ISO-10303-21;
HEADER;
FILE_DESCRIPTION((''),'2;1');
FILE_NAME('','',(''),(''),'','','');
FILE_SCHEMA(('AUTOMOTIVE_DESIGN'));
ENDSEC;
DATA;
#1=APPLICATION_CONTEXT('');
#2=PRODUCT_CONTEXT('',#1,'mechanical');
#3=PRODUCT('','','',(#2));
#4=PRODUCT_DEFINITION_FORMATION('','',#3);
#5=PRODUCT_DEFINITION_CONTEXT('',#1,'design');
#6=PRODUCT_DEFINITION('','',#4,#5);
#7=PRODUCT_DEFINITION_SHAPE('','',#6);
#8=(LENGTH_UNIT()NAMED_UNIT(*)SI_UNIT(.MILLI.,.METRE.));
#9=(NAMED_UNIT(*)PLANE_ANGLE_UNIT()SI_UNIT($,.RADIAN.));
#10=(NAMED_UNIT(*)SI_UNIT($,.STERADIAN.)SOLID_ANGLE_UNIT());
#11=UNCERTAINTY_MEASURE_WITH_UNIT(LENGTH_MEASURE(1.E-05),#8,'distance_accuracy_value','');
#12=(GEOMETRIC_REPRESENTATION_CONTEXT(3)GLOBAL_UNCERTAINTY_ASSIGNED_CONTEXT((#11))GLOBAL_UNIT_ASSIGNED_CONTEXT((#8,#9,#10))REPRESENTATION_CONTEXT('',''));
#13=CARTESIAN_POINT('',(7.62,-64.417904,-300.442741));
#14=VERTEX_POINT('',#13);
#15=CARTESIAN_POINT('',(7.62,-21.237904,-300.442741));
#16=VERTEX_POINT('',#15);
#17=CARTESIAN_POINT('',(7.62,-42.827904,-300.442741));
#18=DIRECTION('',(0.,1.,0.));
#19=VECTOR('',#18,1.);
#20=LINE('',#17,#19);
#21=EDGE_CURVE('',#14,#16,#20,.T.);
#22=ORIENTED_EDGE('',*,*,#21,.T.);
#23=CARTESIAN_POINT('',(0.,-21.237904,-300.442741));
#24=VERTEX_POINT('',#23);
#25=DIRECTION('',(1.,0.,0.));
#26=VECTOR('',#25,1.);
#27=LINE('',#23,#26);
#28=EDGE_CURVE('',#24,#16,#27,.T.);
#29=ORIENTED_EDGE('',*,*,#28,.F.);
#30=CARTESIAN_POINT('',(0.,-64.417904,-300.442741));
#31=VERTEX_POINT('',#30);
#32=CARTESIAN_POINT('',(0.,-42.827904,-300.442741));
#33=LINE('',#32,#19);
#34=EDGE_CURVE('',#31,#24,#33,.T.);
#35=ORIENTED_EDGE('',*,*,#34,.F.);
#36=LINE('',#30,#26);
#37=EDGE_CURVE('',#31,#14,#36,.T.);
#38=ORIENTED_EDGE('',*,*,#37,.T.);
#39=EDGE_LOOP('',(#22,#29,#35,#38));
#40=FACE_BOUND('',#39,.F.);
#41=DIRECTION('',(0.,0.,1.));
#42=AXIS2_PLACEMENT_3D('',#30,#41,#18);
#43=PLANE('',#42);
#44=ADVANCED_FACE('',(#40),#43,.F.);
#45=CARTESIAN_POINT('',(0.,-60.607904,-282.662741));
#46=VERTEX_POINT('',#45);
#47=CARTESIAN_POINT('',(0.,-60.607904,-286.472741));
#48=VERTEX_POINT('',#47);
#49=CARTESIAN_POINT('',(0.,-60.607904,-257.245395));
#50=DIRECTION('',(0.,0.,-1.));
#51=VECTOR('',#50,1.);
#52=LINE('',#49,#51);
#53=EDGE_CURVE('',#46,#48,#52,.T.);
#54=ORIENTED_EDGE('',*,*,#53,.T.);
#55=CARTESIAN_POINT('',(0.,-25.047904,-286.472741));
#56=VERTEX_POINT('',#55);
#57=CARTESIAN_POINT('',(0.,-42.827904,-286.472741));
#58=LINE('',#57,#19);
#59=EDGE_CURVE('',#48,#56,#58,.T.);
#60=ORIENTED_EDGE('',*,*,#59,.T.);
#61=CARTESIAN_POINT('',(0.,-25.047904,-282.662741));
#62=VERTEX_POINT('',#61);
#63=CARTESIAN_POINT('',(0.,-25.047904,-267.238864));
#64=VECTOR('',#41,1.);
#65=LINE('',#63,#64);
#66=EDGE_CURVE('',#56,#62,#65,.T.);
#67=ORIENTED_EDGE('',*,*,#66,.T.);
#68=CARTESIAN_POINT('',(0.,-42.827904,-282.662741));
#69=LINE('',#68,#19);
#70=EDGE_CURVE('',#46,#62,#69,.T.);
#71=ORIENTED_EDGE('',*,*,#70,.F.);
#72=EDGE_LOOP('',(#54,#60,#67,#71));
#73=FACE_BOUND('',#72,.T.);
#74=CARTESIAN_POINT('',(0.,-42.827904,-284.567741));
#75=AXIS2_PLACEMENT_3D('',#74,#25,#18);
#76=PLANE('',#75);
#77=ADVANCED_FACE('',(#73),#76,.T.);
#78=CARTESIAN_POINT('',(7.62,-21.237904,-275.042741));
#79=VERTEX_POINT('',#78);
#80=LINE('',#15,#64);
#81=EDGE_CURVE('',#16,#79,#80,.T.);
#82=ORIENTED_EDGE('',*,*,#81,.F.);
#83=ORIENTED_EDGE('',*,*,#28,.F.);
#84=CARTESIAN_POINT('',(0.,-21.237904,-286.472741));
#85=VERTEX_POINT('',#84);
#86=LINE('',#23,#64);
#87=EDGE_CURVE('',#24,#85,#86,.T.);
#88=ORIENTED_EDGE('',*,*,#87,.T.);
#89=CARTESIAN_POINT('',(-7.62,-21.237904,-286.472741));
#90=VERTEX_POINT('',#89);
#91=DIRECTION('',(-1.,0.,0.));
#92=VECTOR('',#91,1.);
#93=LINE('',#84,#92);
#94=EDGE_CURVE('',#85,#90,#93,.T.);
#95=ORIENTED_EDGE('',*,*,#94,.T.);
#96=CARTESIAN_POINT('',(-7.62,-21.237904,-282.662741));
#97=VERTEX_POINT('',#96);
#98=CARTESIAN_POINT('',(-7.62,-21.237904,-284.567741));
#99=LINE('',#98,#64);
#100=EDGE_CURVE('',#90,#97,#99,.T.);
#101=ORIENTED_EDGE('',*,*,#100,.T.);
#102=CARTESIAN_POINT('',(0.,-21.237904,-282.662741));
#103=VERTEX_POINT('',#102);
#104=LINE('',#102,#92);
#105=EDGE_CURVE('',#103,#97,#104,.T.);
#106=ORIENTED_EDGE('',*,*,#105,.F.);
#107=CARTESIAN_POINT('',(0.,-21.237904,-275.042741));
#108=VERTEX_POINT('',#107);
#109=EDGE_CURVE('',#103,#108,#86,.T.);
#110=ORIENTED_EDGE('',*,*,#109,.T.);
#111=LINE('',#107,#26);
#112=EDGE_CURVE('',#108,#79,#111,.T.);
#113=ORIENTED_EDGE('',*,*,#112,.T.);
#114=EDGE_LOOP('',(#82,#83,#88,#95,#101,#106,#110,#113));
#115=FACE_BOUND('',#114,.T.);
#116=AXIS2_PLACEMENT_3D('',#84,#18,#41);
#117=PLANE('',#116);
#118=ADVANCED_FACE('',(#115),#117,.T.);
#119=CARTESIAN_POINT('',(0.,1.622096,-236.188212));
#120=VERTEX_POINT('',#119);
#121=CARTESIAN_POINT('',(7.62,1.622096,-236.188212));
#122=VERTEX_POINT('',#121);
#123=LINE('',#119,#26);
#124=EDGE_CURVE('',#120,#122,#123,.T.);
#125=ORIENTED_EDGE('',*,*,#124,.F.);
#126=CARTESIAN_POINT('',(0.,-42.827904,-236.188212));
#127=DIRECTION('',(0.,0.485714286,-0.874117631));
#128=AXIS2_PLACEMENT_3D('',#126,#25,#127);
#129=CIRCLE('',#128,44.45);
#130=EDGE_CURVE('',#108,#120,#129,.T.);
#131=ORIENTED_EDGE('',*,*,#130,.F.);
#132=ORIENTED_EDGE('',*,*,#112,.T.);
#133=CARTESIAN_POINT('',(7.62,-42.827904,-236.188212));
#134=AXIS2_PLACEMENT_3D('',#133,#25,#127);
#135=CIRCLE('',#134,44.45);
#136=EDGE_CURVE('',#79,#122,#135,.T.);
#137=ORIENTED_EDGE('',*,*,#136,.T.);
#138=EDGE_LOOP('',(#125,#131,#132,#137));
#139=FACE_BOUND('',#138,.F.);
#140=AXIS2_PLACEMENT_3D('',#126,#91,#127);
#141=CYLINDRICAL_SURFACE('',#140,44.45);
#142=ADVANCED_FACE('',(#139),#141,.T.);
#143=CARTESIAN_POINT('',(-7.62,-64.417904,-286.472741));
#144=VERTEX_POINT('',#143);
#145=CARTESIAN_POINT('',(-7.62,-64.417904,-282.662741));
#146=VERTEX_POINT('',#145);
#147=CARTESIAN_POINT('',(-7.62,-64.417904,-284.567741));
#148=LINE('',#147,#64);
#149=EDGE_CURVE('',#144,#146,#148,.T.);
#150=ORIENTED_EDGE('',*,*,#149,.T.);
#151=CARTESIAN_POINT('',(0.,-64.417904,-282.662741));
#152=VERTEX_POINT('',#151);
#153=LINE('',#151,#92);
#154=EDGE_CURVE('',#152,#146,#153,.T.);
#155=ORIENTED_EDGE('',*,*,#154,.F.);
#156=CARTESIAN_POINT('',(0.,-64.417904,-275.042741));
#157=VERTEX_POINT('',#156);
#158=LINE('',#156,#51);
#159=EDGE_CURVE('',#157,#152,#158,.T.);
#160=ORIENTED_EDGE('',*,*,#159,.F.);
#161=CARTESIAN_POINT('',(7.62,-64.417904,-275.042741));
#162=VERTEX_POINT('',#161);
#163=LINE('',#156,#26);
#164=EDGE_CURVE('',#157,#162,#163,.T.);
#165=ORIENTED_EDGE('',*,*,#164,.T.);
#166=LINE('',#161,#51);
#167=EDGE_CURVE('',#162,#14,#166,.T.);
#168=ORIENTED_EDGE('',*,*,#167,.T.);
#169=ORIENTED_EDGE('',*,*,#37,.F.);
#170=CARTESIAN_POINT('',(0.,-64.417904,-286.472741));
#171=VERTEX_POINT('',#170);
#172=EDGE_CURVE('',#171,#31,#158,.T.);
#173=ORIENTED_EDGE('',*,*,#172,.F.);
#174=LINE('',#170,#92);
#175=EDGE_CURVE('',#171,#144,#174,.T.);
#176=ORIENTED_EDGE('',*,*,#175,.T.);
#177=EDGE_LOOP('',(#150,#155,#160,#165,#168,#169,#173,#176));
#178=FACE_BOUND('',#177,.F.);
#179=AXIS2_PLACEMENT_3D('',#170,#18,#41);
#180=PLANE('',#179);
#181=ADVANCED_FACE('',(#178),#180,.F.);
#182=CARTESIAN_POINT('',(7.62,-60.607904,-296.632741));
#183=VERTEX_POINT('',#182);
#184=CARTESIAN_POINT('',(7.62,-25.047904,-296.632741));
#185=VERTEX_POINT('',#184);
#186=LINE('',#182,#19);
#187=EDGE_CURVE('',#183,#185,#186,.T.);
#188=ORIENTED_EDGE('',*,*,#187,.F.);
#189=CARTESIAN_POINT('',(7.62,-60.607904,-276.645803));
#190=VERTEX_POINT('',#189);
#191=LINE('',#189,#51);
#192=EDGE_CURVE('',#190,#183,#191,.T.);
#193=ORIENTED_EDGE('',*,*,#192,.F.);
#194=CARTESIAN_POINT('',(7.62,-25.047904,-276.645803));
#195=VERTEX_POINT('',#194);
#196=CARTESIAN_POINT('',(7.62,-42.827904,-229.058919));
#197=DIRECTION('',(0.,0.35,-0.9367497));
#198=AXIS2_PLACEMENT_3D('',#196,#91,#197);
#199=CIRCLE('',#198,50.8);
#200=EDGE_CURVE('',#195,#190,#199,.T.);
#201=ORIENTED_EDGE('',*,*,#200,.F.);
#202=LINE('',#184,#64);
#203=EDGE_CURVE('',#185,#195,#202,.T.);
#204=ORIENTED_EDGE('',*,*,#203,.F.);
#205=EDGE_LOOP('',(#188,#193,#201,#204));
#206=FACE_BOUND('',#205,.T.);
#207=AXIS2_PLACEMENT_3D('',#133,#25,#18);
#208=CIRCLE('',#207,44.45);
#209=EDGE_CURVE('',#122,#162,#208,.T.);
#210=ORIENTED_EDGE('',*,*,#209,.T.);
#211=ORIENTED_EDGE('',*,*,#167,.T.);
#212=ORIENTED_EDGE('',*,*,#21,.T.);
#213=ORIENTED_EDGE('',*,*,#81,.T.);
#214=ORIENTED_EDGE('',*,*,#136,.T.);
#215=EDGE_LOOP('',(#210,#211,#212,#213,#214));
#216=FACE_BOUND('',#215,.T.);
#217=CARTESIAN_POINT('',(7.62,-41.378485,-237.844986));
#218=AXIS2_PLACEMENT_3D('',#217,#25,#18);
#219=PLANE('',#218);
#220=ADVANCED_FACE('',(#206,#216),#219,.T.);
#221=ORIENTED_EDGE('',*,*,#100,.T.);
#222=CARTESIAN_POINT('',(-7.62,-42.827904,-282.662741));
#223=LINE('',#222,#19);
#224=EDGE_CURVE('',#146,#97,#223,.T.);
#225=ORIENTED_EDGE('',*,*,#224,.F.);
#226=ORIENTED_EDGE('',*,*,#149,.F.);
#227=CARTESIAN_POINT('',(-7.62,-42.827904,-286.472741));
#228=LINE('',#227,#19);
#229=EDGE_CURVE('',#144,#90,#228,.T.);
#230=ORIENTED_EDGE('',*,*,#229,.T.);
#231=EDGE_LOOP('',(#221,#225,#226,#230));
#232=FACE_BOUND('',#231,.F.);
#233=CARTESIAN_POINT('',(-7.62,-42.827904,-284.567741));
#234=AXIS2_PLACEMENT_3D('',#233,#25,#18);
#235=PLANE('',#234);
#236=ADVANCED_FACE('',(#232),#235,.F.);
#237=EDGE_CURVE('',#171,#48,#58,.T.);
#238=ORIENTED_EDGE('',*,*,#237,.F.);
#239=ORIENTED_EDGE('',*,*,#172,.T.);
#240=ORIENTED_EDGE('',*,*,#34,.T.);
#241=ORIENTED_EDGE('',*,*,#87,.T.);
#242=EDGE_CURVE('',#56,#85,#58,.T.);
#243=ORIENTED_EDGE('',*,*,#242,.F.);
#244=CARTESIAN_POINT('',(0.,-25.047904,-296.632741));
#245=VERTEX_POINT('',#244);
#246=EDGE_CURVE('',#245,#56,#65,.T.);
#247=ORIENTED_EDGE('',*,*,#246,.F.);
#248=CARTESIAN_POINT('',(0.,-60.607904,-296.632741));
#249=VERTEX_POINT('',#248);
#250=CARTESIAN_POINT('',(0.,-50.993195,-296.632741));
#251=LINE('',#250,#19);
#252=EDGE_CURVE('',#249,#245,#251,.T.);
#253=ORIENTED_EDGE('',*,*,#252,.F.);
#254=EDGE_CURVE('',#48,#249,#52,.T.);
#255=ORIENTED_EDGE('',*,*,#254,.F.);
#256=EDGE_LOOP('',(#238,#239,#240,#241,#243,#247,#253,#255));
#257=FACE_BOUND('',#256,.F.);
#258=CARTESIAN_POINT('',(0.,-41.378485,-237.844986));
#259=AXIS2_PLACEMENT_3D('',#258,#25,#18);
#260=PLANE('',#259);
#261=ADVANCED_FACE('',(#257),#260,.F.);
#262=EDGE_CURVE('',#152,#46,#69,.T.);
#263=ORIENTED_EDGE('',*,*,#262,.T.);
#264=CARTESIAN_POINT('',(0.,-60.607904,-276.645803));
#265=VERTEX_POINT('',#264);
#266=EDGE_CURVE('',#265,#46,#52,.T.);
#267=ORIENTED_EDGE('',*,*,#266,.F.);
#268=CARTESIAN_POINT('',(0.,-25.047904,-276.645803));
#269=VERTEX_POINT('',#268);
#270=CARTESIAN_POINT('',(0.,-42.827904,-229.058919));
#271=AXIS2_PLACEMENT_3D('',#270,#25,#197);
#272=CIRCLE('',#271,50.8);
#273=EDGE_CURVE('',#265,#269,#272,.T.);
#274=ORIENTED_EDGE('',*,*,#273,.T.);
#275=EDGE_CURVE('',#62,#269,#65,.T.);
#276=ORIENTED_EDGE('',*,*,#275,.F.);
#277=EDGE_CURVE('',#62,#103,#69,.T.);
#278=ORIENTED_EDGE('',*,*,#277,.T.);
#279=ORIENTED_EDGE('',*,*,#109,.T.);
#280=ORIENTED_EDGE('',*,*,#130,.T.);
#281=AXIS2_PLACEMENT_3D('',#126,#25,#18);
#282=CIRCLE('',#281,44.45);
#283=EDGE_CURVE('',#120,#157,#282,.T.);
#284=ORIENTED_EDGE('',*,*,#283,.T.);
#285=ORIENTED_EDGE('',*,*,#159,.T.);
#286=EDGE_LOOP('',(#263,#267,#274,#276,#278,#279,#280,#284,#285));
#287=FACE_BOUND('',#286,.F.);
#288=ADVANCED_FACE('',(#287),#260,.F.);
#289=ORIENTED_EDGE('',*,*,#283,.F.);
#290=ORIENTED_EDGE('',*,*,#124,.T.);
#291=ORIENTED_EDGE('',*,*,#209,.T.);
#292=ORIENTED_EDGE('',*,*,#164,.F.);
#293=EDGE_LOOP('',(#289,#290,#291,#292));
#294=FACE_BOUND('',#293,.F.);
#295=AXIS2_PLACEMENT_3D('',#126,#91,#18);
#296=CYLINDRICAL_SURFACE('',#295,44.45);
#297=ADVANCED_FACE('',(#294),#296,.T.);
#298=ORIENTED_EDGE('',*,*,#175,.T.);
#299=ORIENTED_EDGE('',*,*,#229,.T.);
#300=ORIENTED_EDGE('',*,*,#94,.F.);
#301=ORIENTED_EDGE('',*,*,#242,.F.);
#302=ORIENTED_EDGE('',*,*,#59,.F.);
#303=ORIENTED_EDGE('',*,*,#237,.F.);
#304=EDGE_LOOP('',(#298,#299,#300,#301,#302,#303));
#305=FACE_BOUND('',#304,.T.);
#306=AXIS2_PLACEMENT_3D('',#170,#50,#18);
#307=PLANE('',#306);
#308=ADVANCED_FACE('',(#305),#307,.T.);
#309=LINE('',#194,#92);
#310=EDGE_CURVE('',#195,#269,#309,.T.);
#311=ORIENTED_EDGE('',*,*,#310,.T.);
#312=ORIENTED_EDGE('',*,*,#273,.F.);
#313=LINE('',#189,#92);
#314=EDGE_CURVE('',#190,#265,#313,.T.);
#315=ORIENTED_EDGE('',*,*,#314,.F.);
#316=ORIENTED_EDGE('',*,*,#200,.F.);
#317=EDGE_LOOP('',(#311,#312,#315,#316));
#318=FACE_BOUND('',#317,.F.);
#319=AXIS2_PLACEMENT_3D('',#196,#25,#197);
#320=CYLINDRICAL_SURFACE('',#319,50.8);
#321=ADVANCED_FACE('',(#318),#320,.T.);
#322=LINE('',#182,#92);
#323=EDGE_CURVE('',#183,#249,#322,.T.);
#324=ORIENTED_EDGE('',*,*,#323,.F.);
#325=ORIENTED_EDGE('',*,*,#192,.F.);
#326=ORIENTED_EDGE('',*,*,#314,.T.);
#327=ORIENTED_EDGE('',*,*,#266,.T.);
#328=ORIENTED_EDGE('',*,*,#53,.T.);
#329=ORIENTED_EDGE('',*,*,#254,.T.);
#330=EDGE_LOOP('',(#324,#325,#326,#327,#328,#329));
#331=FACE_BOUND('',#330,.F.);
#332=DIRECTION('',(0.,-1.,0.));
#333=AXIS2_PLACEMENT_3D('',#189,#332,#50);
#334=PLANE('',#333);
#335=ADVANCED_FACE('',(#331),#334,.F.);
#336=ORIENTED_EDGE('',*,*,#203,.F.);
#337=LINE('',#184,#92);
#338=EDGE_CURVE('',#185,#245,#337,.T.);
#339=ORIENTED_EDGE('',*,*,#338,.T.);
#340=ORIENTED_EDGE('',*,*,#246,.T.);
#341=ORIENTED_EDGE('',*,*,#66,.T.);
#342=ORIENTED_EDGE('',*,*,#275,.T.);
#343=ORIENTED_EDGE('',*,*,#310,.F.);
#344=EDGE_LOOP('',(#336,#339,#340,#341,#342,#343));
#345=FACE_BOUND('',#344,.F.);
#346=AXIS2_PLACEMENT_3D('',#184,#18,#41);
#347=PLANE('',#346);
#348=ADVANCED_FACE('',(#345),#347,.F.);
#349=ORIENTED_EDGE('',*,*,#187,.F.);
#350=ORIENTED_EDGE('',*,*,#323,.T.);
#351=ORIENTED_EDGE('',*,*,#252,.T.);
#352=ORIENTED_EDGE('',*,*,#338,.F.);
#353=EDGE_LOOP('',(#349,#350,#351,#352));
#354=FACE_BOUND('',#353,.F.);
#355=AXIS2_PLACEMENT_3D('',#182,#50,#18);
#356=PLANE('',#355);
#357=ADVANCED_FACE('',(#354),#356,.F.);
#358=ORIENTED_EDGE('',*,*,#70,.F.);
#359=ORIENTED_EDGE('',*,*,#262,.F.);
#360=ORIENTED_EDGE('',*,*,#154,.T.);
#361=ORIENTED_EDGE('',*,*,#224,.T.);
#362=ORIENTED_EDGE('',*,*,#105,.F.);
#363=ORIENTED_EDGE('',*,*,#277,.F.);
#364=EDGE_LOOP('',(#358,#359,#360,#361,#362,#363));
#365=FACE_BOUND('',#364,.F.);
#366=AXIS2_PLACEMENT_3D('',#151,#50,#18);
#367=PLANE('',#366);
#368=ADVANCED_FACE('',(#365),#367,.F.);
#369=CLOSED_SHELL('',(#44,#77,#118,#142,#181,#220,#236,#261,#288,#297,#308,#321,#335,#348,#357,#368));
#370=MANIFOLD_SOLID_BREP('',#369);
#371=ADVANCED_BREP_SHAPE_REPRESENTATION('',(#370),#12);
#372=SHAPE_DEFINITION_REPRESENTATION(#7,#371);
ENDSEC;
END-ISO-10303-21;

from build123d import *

# Parameters (mm, degrees)
F0_R     = 31.75
F0_W     = 43.18
F0_H     = 13.97
F0_H_2   = 3.81
F1_DEPTH = 7.62
F3_DEPTH = 7.62
F4_DEPTH = 76.2
F5_DEPTH = 7.62


with BuildPart() as f1:
    # F0 (on Right) → F1 (new body)
    with BuildSketch(Plane.YZ):
        with BuildLine():
            ThreePointArc((-21.2379042244, -275.0427409069), (-4.5168222767, -258.7284761869), (1.6220957756, -236.1882122133))
            ThreePointArc((1.6220957756, -236.1882122133), (-65.368168198, -197.8771302656), (-64.4179042244, -275.0427409069))
            Line((-64.4179042244, -275.0427409069), (-21.2379042244, -275.0427409069))
        make_face()
        with Locations((-42.8279042244, -236.1882122133)):
            Circle(F0_R, mode=Mode.SUBTRACT)
        with Locations((-42.8279042244, -236.1882122133)):
            Circle(F0_R)
        with Locations((-42.8279042244, -293.4577409069)):
            Rectangle(F0_W, F0_H)
        with BuildLine():
            ThreePointArc((-21.2379042244, -275.0427409069), (-42.8279042244, -280.6382122133), (-64.4179042244, -275.0427409069))
            Line((-64.4179042244, -275.0427409069), (-64.4179042244, -282.6627409069))
            Line((-64.4179042244, -282.6627409069), (-21.2379042244, -282.6627409069))
            Line((-21.2379042244, -282.6627409069), (-21.2379042244, -275.0427409069))
        make_face()
        with Locations((-42.8279042244, -284.5677409069)):
            Rectangle(F0_W, F0_H_2)
        with BuildLine():
            Line((-21.2379042244, -275.0427409069), (-64.4179042244, -275.0427409069))
            ThreePointArc((-64.4179042244, -275.0427409069), (-42.8279042244, -280.6382122133), (-21.2379042244, -275.0427409069))
        make_face()
    extrude(amount=F1_DEPTH)

    # F0 (on Right) → F3 (join)
    with BuildSketch(Plane.YZ):
        with BuildLine():
            ThreePointArc((-21.2379042244, -275.0427409069), (-4.5168222767, -258.7284761869), (1.6220957756, -236.1882122133))
            ThreePointArc((1.6220957756, -236.1882122133), (-65.368168198, -197.8771302656), (-64.4179042244, -275.0427409069))
            Line((-64.4179042244, -275.0427409069), (-21.2379042244, -275.0427409069))
        make_face()
        with Locations((-42.8279042244, -236.1882122133)):
            Circle(F0_R, mode=Mode.SUBTRACT)
    extrude(amount=F3_DEPTH)

    # F2 (on face) → F4 (cut)
    with BuildSketch(Plane.YZ.offset(7.62)):
        with BuildLine():
            Line((-60.6079042244, -276.6458034995), (-60.6079042244, -296.6327409069))
            Line((-60.6079042244, -296.6327409069), (-25.0479042244, -296.6327409069))
            Line((-25.0479042244, -296.6327409069), (-25.0479042244, -276.6458034995))
            ThreePointArc((-25.0479042244, -276.6458034995), (-42.8279042244, -279.8589187517), (-60.6079042244, -276.6458034995))
        make_face()
    extrude(amount=-F4_DEPTH, mode=Mode.SUBTRACT)

    # F0 (on Right) → F5 (join)
    with BuildSketch(Plane.YZ):
        with Locations((-42.8279042244, -284.5677409069)):
            Rectangle(F0_W, F0_H_2)
    extrude(amount=-F5_DEPTH)


solid = f1.part
